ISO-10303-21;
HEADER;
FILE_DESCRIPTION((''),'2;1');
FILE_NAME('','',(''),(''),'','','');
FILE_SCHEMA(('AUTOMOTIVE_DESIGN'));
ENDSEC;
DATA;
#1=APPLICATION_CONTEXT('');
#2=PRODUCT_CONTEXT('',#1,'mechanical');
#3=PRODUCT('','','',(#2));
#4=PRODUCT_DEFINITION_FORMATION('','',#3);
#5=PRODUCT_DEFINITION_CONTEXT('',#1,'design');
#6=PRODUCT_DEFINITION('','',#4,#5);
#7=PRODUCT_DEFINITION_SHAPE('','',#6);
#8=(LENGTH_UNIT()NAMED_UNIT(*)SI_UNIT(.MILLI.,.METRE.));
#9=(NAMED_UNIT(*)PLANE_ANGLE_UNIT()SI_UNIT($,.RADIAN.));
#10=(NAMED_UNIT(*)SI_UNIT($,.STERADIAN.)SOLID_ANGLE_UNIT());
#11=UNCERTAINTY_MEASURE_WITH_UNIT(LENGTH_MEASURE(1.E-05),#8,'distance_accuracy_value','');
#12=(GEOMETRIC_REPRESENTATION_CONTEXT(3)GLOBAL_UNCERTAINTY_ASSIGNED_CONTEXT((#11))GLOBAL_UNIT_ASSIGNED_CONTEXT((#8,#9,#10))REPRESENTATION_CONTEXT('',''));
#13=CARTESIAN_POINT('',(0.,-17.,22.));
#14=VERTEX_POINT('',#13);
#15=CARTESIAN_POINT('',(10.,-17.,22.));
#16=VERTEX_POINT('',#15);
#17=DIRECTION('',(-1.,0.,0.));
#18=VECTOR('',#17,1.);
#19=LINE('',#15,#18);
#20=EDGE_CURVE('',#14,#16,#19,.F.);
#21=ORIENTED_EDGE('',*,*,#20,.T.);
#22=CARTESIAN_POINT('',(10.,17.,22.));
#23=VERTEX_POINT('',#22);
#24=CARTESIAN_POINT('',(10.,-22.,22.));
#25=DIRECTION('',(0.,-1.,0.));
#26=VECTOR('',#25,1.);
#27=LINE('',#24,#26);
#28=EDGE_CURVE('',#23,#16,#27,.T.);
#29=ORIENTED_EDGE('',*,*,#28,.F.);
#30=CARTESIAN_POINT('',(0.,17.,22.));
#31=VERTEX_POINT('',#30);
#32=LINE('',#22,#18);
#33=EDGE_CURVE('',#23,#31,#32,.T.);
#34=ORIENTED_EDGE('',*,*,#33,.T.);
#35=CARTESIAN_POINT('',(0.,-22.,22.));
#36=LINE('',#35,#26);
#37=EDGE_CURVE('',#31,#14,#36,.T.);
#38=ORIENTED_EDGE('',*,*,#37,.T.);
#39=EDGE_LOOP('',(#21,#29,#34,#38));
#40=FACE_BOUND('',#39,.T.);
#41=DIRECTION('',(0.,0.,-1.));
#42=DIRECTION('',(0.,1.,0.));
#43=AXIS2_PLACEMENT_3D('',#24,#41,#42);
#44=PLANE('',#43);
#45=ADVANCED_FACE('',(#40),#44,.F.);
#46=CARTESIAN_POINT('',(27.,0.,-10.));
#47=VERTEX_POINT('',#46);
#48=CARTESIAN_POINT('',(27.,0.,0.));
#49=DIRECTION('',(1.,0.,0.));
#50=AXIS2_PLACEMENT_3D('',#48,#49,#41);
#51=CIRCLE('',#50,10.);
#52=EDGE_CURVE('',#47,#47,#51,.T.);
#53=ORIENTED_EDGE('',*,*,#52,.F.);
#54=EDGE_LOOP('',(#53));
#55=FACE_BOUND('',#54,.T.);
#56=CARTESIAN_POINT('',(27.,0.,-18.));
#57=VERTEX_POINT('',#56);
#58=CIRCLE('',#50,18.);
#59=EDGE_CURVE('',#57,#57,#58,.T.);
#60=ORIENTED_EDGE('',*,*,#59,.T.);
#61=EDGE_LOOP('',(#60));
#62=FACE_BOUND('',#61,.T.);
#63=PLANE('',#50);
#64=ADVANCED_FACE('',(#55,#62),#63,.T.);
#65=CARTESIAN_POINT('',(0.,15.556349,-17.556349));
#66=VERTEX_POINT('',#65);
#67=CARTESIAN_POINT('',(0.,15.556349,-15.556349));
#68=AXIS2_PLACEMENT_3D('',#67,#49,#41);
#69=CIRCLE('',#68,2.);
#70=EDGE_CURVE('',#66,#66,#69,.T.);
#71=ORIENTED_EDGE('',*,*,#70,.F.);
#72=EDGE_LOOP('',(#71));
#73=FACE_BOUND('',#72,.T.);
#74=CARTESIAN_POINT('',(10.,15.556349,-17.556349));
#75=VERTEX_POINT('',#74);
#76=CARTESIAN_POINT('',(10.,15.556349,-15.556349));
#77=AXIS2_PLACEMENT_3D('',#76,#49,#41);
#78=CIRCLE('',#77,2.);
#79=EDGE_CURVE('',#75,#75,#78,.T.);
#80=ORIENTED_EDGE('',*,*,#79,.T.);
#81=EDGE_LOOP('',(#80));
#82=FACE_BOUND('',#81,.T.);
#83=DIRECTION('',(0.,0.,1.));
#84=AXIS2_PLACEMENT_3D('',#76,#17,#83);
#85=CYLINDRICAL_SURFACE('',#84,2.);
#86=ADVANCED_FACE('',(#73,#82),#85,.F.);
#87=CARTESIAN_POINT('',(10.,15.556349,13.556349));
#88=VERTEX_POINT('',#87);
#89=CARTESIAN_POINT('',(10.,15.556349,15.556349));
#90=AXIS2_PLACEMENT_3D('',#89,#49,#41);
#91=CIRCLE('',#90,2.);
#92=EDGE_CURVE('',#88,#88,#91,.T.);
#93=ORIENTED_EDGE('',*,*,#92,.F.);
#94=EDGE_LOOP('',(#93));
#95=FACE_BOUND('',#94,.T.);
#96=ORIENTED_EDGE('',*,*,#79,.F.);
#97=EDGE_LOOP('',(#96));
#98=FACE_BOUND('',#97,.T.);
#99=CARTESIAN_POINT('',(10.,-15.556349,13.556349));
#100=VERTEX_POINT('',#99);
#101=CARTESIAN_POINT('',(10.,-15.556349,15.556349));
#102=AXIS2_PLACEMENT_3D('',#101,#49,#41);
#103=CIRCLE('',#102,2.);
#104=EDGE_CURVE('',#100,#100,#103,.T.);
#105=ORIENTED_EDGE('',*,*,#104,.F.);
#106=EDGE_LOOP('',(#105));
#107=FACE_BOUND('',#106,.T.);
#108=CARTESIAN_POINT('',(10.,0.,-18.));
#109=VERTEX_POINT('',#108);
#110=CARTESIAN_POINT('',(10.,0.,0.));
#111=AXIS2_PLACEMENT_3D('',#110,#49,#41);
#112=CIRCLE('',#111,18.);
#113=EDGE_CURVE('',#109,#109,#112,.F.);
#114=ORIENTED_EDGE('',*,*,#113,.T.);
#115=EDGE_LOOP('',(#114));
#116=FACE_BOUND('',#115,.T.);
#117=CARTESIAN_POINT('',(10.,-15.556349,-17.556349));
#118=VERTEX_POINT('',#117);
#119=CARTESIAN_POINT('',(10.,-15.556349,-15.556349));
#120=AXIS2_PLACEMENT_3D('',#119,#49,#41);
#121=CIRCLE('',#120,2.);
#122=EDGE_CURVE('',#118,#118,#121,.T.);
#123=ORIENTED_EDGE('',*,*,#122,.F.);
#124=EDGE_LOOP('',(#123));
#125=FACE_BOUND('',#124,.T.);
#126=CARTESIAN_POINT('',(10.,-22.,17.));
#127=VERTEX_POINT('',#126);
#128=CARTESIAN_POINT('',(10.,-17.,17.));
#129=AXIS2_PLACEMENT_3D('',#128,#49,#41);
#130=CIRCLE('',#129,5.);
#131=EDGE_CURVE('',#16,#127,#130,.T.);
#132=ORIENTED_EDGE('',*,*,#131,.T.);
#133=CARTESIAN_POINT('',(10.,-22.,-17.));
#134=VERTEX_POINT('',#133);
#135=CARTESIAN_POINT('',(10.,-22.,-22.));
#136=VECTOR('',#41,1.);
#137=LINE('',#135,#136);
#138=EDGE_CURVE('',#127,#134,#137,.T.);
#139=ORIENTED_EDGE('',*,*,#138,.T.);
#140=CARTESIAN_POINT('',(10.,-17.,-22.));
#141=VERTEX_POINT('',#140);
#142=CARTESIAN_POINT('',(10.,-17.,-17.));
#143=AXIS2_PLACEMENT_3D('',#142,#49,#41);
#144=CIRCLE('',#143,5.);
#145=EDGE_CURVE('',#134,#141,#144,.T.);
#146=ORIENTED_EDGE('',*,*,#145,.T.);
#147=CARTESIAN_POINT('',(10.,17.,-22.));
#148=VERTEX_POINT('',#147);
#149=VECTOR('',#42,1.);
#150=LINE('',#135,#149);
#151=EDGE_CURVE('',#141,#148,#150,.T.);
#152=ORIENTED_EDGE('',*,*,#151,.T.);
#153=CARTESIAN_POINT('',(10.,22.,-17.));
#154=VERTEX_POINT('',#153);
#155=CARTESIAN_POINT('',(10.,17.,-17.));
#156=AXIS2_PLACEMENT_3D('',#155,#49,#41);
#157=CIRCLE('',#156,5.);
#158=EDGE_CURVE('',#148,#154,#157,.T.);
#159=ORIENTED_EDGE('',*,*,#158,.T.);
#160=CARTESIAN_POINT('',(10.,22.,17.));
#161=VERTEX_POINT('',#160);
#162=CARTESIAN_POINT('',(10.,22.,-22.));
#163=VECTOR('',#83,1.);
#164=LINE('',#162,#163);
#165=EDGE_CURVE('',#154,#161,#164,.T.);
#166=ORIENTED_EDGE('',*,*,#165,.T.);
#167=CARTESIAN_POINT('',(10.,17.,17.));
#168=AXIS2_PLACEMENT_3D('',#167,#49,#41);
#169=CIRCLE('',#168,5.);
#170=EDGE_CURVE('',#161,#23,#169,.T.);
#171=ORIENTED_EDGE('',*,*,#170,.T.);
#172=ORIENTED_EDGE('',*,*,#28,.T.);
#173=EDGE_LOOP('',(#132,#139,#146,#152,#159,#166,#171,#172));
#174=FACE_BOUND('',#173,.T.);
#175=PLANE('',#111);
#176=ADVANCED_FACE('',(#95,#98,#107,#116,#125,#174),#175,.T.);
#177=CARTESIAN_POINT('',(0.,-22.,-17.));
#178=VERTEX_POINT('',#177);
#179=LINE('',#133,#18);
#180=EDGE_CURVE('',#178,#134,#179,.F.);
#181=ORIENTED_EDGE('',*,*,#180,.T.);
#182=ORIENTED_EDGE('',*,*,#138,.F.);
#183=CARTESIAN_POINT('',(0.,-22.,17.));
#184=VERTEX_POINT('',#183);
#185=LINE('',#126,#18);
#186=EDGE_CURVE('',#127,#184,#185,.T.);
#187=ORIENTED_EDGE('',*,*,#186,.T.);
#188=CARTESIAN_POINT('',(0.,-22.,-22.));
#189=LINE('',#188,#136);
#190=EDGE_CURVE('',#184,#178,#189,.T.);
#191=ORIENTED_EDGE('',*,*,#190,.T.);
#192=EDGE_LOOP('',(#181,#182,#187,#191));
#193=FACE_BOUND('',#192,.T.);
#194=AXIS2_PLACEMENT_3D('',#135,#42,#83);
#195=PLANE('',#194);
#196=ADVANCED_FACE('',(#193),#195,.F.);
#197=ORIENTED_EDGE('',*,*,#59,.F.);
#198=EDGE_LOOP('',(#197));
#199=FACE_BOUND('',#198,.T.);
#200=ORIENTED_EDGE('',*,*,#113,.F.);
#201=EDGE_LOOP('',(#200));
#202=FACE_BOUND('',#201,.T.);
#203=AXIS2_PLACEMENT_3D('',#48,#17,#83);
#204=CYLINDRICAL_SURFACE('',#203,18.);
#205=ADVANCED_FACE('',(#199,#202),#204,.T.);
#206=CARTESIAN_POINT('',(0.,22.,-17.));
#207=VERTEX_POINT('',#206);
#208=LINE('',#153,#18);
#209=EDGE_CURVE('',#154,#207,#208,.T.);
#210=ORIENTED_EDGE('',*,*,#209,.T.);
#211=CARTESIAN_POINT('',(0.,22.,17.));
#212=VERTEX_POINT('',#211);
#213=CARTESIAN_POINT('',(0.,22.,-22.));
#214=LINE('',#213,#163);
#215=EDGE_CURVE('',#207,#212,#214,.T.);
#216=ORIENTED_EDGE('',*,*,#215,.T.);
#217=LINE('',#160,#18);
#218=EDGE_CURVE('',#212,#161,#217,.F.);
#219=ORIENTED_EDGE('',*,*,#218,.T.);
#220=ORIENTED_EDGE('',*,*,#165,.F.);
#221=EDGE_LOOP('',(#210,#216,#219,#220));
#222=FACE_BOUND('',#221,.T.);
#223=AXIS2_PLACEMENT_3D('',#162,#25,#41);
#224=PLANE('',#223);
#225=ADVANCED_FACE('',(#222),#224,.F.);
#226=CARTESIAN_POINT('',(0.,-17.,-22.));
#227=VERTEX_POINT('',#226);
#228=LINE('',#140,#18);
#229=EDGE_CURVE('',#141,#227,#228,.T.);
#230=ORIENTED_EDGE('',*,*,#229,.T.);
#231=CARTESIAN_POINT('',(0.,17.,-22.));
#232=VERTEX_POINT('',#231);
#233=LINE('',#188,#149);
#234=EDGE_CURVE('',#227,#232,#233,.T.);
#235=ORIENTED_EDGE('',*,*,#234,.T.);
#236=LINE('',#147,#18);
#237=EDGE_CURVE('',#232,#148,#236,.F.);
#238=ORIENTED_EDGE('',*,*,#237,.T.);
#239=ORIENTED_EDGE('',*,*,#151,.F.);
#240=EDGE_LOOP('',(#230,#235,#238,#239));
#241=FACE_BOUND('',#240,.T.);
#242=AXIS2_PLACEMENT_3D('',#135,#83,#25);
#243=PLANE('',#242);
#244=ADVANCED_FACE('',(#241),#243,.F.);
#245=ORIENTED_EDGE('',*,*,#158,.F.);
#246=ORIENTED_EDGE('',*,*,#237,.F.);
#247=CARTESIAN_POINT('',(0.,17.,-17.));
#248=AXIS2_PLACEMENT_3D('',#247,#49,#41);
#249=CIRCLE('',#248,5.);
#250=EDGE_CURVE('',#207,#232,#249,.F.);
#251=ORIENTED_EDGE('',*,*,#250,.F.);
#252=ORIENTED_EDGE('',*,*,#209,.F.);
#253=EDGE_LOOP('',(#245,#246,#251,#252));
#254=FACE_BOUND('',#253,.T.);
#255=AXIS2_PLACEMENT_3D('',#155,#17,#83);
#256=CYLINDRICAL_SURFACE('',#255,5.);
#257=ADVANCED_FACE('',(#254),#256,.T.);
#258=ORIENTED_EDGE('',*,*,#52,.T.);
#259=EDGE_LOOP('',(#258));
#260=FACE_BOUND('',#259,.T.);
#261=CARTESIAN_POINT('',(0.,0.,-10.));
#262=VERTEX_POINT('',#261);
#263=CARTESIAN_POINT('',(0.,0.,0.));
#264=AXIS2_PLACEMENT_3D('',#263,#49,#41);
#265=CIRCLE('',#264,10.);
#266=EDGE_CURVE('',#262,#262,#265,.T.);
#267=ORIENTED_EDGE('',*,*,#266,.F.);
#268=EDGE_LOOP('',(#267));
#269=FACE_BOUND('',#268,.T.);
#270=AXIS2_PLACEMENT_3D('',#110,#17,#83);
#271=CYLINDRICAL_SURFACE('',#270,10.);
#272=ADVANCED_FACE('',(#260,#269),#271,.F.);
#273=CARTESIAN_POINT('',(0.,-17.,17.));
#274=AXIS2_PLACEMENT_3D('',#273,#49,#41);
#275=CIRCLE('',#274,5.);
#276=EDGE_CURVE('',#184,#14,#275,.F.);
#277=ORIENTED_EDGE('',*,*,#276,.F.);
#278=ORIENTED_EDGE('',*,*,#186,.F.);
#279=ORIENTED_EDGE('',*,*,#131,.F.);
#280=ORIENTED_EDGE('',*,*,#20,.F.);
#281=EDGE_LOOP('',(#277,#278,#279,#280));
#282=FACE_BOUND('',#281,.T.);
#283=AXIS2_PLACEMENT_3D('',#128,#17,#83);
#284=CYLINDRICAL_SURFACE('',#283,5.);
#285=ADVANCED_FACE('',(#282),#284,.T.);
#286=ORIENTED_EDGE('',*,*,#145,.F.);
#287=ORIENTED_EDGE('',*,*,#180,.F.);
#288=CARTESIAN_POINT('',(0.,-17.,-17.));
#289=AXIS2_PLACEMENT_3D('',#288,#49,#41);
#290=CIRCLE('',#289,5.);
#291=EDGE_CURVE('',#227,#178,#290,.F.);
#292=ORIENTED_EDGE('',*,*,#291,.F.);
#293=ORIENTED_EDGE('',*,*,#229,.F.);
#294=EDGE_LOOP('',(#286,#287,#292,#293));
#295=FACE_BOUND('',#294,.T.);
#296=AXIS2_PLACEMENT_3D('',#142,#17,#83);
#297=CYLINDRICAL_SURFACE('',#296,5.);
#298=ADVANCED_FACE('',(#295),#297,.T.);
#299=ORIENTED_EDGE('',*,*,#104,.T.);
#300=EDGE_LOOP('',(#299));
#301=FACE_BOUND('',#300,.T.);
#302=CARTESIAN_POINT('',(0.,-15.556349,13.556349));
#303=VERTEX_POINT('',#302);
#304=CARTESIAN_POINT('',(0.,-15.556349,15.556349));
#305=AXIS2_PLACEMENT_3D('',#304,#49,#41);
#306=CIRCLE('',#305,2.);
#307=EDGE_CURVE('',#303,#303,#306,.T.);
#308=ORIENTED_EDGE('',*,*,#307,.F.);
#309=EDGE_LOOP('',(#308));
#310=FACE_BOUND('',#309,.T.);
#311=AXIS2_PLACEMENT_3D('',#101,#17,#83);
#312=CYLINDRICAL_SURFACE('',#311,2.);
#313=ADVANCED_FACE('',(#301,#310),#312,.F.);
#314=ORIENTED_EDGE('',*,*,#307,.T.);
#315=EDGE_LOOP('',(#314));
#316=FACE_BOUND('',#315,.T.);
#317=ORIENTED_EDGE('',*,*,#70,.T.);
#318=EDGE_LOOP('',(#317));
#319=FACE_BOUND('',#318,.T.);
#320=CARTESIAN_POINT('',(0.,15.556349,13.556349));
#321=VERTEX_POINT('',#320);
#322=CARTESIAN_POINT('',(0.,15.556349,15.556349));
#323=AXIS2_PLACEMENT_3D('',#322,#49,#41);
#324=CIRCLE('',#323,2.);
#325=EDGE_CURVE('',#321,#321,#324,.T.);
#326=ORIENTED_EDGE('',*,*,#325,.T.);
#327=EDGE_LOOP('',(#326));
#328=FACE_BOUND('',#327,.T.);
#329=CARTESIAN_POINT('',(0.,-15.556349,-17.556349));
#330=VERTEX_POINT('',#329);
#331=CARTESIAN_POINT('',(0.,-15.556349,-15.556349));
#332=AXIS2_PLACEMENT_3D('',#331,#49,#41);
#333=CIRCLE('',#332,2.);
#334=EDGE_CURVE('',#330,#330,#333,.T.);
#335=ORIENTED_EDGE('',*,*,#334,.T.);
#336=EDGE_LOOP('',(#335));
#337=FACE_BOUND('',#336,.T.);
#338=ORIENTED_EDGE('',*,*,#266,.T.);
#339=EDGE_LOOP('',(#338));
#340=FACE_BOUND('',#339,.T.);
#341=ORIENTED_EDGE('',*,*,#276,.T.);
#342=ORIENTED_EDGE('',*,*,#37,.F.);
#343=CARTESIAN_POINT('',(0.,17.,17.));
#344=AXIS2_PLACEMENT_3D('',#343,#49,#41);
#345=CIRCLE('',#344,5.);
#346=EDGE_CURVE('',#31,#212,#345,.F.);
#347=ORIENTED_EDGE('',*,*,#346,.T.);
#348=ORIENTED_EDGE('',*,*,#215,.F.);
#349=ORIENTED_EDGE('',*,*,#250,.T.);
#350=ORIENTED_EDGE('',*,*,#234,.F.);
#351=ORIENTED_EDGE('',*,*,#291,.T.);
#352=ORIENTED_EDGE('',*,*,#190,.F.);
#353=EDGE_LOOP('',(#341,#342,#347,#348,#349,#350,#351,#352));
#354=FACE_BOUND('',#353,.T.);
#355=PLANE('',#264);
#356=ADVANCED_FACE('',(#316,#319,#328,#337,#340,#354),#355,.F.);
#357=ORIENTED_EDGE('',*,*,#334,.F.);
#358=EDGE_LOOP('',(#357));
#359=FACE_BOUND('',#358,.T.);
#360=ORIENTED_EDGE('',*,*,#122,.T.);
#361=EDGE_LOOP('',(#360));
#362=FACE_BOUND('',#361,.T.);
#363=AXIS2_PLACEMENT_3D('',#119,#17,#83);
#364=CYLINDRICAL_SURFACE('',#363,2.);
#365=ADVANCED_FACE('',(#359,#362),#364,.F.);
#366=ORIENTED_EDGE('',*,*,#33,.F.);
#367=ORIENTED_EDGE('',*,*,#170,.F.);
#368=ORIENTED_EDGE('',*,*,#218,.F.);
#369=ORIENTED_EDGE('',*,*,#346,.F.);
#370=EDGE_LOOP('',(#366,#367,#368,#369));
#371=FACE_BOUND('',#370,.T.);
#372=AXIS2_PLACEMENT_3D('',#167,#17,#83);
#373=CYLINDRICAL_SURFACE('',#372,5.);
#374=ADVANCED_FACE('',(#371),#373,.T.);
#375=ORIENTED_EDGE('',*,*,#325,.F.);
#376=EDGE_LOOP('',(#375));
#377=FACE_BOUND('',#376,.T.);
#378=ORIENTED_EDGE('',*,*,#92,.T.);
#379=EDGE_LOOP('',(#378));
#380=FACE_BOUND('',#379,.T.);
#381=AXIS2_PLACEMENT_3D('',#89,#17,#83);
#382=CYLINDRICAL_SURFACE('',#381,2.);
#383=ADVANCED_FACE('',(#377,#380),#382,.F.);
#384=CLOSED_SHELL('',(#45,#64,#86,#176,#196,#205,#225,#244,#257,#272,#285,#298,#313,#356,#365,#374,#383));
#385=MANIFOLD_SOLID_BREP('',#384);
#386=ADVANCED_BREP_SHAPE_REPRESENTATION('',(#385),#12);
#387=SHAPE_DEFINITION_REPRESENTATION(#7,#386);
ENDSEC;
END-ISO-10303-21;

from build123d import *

# Parameters (mm, degrees)
SKETCH1_W           = 44
SKETCH1_H           = 44
SKETCH1_R           = 2
SKETCH1_R_2         = 10
BOSS_EXTRUDE1_DEPTH = 10
SKETCH2_R           = 18
SKETCH2_R_2         = 10
BOSS_EXTRUDE2_DEPTH = 27
FILLET1_R           = 5


with BuildPart() as part:
    # Sketch1 → Boss-Extrude1 (new body)
    with BuildSketch(Plane(origin=(0, 0, 0), x_dir=(0, 0, -1), z_dir=(1, 0, 0))):
        Rectangle(SKETCH1_W, SKETCH1_H)
        with Locations((-15.556349186, 15.556349186)):
            Circle(SKETCH1_R, mode=Mode.SUBTRACT)
        with Locations((15.556349186, 15.556349186)):
            Circle(SKETCH1_R, mode=Mode.SUBTRACT)
        with Locations((15.556349186, -15.556349186)):
            Circle(SKETCH1_R, mode=Mode.SUBTRACT)
        with Locations((-15.556349186, -15.556349186)):
            Circle(SKETCH1_R, mode=Mode.SUBTRACT)
        Circle(SKETCH1_R_2, mode=Mode.SUBTRACT)
    extrude(amount=BOSS_EXTRUDE1_DEPTH)

    # Sketch2 → Boss-Extrude2 (add)
    with BuildSketch(Plane(origin=(0, 0, 0), x_dir=(0, 0, -1), z_dir=(1, 0, 0))):
        Circle(SKETCH2_R)
        Circle(SKETCH2_R_2, mode=Mode.SUBTRACT)
    extrude(amount=BOSS_EXTRUDE2_DEPTH)

    # Fillet1
    fillet1_edges = [part.edges().sort_by_distance(p)[0] for p in [
        (5, 22, 22),
        (5, 22, -22),
        (5, -22, -22),
        (5, -22, 22),
    ]]
    fillet(fillet1_edges, radius=FILLET1_R)


solid = part.part
